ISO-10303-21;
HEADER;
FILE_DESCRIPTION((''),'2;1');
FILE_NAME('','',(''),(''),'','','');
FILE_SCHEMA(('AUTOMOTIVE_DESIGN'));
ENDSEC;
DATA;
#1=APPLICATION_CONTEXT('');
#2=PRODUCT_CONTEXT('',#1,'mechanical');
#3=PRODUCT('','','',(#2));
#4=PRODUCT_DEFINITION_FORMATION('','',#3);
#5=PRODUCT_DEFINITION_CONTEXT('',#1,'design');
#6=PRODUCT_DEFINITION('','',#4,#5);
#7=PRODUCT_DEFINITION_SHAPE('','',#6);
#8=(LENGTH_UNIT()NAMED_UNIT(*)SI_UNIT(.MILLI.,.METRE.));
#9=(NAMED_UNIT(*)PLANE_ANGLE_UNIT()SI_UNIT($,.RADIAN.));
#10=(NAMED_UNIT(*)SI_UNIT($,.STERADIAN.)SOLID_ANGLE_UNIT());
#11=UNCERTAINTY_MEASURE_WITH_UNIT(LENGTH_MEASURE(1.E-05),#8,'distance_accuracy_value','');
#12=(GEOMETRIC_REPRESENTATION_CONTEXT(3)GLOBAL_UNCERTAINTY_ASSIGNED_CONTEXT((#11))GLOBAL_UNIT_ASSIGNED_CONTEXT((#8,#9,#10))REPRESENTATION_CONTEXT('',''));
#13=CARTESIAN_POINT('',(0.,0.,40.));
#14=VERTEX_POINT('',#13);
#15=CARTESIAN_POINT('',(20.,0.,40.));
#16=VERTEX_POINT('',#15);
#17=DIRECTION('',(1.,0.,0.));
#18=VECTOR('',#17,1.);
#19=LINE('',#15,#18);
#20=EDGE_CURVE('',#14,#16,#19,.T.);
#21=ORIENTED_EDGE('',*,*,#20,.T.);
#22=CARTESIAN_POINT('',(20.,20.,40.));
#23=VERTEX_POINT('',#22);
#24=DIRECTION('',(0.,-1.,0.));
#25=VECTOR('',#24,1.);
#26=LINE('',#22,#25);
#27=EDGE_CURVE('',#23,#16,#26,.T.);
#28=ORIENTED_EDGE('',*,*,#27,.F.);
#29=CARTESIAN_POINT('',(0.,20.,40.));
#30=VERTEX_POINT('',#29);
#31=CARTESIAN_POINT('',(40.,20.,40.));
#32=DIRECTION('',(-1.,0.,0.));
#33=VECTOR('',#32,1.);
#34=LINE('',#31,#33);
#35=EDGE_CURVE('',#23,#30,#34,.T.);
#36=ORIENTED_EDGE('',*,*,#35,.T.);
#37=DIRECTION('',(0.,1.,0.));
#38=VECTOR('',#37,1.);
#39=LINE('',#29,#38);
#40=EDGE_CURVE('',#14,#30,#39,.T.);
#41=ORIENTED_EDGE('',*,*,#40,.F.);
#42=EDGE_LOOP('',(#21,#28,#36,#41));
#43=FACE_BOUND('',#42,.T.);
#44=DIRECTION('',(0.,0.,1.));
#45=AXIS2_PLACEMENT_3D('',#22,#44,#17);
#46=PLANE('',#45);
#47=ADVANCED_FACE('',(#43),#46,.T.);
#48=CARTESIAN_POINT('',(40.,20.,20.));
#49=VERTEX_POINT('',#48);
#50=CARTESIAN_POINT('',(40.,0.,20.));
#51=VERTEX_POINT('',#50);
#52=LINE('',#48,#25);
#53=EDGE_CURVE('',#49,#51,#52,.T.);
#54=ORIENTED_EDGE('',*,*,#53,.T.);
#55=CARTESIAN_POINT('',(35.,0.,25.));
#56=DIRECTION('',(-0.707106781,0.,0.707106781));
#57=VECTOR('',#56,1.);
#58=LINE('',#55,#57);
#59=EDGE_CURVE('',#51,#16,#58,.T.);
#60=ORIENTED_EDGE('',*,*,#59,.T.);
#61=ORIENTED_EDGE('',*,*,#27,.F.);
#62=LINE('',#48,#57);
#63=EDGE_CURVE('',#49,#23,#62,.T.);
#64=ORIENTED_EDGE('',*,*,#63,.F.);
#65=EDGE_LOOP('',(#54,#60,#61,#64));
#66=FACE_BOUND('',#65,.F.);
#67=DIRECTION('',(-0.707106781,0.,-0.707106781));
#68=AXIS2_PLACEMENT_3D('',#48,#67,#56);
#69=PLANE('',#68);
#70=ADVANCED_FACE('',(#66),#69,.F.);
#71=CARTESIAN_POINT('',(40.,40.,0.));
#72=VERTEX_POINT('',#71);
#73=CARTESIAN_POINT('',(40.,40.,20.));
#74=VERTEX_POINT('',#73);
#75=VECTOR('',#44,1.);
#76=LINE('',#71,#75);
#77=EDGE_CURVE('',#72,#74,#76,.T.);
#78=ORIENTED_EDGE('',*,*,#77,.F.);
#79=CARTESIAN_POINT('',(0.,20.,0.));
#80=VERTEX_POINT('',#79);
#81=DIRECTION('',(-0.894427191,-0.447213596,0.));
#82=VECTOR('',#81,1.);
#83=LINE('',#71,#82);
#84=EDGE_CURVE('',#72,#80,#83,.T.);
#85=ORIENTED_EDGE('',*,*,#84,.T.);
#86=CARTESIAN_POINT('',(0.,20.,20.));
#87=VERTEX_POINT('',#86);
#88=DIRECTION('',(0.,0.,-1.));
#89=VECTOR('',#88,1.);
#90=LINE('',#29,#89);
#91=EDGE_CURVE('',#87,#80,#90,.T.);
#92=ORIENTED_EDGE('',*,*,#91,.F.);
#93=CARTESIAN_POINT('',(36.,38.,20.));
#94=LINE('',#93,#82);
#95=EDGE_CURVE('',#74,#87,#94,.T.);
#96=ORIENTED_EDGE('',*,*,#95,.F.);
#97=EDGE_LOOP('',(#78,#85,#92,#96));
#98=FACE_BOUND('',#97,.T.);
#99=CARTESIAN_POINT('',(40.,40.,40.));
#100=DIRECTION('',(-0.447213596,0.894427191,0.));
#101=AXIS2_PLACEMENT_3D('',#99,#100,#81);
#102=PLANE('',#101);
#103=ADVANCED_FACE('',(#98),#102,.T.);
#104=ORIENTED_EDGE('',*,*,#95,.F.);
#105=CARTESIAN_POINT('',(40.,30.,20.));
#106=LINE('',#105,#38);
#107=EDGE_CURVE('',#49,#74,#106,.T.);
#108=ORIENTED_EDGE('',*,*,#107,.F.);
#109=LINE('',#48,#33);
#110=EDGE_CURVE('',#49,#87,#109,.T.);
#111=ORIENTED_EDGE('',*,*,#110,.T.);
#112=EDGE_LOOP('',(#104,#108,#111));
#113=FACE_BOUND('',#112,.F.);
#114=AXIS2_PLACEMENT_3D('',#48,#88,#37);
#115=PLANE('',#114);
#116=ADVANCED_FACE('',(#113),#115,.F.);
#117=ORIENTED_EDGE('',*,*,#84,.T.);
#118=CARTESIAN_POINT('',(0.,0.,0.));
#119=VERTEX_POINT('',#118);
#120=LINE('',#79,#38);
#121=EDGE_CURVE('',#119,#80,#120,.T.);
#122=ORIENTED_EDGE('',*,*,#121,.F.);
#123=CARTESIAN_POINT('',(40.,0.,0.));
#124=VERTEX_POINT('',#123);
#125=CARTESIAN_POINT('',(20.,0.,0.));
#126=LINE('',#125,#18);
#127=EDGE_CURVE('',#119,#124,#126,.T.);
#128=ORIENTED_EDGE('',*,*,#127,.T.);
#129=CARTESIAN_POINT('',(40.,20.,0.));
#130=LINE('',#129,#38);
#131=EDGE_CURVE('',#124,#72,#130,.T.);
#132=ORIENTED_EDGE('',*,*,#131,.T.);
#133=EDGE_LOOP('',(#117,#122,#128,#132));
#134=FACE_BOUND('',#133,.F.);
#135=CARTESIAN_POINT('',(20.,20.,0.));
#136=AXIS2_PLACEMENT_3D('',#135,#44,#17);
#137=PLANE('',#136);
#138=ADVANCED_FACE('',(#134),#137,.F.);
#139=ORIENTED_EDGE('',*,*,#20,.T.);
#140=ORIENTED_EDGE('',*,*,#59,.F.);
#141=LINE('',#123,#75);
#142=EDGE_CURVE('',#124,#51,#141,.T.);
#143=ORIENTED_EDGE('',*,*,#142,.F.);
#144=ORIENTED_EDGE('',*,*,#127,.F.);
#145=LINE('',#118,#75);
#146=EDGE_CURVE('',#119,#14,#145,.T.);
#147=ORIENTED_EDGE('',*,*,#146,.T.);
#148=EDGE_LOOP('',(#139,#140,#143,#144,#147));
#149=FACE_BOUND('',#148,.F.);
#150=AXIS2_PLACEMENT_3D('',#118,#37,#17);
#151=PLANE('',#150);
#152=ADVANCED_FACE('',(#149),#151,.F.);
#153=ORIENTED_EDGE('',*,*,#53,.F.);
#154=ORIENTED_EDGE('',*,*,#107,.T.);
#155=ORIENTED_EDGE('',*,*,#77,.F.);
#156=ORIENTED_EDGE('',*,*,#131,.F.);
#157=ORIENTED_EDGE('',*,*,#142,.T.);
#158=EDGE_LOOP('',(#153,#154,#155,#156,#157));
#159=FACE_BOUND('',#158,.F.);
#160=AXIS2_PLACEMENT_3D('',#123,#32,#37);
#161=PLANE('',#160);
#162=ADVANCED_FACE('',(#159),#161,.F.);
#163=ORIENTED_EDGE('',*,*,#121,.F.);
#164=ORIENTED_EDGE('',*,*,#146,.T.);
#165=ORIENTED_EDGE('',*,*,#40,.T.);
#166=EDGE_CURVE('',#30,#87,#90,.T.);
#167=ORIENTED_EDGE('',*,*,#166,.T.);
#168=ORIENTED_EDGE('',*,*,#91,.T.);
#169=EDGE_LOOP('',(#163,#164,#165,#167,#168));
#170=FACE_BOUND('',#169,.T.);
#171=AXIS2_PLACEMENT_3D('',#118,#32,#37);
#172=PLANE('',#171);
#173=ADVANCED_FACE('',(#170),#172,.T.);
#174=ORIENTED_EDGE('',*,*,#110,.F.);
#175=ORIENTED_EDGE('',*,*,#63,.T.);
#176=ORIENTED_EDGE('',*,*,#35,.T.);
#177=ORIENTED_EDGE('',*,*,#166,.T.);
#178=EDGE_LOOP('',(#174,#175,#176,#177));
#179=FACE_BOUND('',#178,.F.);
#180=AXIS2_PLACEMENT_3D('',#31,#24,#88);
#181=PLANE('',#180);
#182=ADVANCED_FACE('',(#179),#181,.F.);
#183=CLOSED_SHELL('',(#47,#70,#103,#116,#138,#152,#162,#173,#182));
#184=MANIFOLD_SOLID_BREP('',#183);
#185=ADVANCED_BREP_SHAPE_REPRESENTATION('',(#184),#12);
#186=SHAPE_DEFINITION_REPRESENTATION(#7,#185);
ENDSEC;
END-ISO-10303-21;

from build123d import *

# Parameters (mm, degrees)
SKETCH1_W           = 40
SKETCH1_H           = 40
BOSS_EXTRUDE1_DEPTH = 40
CUT_EXTRUDE1_DEPTH  = 40
SKETCH3_W           = 20
SKETCH3_H           = 20
CUT_EXTRUDE2_DEPTH  = 40
CUT_EXTRUDE3_DEPTH  = 40


with BuildPart() as part:
    # Sketch1 → Boss-Extrude1 (new body)
    with BuildSketch(Plane.XY):
        with Locations((20, 20)):
            Rectangle(SKETCH1_W, SKETCH1_H)
    extrude(amount=BOSS_EXTRUDE1_DEPTH)

    # Sketch2 → Cut-Extrude1 (cut)
    with BuildSketch(Plane.XY.offset(40)):
        Polygon((40, 40), (0, 20), (0, 40), align=None)
    extrude(amount=-CUT_EXTRUDE1_DEPTH, mode=Mode.SUBTRACT)

    # Sketch3 → Cut-Extrude2 (cut)
    with BuildSketch(Plane(origin=(40, 0, 0), x_dir=(0, 0, -1), z_dir=(1, 0, 0))):
        with Locations((-30, 30)):
            Rectangle(SKETCH3_W, SKETCH3_H)
    extrude(amount=-CUT_EXTRUDE2_DEPTH, mode=Mode.SUBTRACT)

    # Sketch4 → Cut-Extrude3 (cut)
    with BuildSketch(Plane(origin=(0, 20, 0), x_dir=(1, 0, 0), z_dir=(0, 1, 0))):
        Polygon((40, -20), (20, -40), (40, -40), align=None)
    extrude(amount=-CUT_EXTRUDE3_DEPTH, mode=Mode.SUBTRACT)


solid = part.part
